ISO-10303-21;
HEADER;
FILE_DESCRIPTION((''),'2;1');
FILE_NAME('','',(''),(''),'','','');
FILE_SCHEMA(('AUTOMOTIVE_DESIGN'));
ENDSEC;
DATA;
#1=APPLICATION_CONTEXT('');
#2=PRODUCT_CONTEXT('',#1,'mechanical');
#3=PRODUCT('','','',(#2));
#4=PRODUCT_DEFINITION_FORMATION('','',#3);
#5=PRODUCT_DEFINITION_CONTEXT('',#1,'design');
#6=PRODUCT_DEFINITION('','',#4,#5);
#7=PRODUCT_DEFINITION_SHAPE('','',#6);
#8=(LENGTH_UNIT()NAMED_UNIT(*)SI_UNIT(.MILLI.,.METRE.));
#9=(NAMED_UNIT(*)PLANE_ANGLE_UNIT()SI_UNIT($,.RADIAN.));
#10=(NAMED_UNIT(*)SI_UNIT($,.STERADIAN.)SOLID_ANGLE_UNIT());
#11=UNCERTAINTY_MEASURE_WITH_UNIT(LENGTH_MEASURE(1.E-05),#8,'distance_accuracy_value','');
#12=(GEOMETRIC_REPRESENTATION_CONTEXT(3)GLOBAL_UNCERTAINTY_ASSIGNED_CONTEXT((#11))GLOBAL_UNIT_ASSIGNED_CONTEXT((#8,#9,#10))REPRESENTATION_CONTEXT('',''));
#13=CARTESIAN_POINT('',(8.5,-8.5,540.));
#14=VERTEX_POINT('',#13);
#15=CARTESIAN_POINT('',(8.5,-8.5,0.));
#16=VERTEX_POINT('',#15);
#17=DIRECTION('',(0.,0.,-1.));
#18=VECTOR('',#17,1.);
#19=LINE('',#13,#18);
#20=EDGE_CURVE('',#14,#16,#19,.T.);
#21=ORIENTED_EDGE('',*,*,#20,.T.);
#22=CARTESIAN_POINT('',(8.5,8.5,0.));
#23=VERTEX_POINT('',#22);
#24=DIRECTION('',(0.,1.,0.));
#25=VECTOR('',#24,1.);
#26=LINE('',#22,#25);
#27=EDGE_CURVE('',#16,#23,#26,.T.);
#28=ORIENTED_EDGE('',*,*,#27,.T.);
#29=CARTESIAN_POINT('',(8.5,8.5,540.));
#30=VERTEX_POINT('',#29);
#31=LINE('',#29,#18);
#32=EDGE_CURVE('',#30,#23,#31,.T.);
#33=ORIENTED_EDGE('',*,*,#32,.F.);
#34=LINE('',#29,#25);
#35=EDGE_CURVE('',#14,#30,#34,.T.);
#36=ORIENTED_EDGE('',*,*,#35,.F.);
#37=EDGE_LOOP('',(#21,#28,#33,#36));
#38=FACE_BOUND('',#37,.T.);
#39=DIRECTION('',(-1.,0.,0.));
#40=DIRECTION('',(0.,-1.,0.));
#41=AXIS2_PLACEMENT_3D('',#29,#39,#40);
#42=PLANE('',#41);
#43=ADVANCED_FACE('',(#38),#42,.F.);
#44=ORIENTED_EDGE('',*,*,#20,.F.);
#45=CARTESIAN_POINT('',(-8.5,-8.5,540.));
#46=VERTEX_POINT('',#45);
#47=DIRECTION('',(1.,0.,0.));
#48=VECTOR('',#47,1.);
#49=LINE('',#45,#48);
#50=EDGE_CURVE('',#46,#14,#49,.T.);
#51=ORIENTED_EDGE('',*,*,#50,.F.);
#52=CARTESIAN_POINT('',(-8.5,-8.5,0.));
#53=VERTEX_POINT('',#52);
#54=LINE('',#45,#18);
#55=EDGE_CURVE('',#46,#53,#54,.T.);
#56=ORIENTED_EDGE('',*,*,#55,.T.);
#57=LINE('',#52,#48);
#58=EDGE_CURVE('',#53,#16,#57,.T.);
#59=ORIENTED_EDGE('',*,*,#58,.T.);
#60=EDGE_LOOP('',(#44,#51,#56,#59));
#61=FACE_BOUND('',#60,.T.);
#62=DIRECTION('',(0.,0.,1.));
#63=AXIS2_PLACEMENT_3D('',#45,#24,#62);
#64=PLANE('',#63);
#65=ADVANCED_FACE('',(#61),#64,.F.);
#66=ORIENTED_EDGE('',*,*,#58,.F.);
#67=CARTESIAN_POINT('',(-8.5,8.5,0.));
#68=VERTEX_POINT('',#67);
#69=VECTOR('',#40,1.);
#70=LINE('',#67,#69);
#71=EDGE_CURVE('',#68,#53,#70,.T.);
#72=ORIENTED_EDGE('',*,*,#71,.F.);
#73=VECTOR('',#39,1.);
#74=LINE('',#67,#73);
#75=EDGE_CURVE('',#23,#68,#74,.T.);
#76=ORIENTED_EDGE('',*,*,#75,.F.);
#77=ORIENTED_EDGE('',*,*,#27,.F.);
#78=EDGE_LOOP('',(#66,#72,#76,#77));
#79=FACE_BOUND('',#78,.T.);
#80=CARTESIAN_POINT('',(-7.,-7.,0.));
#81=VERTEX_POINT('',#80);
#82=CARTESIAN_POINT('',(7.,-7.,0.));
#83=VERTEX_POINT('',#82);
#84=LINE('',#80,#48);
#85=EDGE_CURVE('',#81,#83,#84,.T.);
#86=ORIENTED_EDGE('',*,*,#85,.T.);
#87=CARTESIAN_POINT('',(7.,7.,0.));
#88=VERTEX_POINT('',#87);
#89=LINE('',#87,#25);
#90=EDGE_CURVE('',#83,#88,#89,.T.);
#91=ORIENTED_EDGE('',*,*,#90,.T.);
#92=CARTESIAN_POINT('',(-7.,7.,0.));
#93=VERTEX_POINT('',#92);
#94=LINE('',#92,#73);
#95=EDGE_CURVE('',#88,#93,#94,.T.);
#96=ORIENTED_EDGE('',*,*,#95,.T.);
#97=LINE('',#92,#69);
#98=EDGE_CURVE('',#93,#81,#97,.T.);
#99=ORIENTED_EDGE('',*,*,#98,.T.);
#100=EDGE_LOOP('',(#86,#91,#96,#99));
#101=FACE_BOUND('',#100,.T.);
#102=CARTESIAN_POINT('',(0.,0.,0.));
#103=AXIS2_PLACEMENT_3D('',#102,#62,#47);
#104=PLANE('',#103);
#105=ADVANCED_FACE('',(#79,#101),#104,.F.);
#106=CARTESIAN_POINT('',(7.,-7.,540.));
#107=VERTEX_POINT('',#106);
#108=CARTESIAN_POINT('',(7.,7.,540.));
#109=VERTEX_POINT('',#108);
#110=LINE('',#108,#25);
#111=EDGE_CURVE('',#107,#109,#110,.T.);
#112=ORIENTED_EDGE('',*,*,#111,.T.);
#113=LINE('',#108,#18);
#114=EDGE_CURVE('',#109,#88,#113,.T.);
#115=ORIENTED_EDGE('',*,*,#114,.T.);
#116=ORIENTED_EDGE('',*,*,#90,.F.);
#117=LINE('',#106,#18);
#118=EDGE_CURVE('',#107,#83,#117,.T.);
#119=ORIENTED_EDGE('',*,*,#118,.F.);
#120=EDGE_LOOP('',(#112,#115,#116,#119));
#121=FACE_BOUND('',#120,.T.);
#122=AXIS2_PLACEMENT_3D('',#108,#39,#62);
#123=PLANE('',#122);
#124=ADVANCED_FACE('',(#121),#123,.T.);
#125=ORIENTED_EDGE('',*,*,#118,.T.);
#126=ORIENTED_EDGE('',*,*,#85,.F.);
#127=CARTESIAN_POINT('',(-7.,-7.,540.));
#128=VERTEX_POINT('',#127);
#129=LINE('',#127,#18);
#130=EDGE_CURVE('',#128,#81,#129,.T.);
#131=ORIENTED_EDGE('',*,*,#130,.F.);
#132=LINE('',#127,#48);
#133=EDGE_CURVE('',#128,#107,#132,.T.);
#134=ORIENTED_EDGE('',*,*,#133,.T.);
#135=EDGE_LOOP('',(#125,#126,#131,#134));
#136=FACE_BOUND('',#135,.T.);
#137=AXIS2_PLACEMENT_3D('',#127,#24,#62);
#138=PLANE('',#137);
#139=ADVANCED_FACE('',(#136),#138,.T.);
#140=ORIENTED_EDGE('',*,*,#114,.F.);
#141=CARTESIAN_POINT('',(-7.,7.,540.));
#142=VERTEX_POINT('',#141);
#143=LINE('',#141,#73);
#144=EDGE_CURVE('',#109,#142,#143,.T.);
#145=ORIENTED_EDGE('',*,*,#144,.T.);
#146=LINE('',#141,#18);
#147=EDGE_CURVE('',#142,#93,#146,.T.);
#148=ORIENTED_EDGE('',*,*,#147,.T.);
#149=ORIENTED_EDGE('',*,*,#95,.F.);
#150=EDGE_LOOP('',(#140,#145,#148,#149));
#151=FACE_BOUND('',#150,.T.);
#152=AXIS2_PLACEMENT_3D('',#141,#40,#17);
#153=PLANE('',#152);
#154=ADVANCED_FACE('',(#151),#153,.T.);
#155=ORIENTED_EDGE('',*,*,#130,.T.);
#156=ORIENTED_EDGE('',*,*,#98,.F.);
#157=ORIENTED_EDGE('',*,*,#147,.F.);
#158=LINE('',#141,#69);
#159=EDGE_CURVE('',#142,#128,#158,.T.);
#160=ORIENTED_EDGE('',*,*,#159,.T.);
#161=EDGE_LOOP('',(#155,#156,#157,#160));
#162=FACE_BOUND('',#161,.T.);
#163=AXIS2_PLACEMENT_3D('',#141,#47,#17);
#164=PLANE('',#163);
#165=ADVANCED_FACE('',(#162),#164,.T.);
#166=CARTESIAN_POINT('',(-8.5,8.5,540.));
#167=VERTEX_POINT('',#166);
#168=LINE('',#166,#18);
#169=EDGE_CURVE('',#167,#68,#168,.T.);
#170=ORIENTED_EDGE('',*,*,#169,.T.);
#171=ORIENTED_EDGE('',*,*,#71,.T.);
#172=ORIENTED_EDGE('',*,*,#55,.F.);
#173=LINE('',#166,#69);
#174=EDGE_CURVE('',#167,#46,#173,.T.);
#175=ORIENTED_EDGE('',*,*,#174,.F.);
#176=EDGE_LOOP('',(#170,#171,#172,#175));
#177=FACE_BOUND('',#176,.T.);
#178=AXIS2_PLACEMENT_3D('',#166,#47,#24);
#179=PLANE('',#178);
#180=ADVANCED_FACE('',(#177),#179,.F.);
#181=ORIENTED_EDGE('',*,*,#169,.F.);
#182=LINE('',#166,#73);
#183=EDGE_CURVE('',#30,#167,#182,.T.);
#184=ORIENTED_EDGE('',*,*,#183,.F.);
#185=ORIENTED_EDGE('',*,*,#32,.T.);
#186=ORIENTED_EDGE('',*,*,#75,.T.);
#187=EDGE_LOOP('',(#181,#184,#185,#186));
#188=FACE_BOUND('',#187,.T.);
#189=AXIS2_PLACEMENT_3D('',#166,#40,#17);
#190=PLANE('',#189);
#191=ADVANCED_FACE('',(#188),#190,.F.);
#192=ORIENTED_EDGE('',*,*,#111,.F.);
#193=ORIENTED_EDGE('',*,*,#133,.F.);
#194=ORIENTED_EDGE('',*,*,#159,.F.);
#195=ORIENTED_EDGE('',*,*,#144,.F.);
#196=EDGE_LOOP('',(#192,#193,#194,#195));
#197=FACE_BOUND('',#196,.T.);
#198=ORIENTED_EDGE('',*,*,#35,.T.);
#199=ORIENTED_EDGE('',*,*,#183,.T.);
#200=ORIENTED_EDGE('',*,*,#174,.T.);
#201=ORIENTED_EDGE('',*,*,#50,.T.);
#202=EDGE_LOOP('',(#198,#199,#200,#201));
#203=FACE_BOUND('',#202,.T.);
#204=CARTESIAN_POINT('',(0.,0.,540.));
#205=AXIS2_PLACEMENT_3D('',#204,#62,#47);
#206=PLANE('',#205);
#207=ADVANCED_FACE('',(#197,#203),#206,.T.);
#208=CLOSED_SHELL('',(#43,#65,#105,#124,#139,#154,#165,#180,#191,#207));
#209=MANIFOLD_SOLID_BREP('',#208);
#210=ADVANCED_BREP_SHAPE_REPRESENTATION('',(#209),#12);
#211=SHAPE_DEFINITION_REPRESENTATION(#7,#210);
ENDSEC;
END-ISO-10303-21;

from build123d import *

# Parameters (mm, degrees)
SKETCH1_W           = 17
SKETCH1_H           = 17
SKETCH1_W_2         = 14
SKETCH1_H_2         = 14
BOSS_EXTRUDE1_DEPTH = 540


with BuildPart() as part:
    # Sketch1 → Boss-Extrude1 (new body)
    with BuildSketch(Plane.XY):
        Rectangle(SKETCH1_W, SKETCH1_H)
        Rectangle(SKETCH1_W_2, SKETCH1_H_2, mode=Mode.SUBTRACT)
    extrude(amount=BOSS_EXTRUDE1_DEPTH)


solid = part.part
